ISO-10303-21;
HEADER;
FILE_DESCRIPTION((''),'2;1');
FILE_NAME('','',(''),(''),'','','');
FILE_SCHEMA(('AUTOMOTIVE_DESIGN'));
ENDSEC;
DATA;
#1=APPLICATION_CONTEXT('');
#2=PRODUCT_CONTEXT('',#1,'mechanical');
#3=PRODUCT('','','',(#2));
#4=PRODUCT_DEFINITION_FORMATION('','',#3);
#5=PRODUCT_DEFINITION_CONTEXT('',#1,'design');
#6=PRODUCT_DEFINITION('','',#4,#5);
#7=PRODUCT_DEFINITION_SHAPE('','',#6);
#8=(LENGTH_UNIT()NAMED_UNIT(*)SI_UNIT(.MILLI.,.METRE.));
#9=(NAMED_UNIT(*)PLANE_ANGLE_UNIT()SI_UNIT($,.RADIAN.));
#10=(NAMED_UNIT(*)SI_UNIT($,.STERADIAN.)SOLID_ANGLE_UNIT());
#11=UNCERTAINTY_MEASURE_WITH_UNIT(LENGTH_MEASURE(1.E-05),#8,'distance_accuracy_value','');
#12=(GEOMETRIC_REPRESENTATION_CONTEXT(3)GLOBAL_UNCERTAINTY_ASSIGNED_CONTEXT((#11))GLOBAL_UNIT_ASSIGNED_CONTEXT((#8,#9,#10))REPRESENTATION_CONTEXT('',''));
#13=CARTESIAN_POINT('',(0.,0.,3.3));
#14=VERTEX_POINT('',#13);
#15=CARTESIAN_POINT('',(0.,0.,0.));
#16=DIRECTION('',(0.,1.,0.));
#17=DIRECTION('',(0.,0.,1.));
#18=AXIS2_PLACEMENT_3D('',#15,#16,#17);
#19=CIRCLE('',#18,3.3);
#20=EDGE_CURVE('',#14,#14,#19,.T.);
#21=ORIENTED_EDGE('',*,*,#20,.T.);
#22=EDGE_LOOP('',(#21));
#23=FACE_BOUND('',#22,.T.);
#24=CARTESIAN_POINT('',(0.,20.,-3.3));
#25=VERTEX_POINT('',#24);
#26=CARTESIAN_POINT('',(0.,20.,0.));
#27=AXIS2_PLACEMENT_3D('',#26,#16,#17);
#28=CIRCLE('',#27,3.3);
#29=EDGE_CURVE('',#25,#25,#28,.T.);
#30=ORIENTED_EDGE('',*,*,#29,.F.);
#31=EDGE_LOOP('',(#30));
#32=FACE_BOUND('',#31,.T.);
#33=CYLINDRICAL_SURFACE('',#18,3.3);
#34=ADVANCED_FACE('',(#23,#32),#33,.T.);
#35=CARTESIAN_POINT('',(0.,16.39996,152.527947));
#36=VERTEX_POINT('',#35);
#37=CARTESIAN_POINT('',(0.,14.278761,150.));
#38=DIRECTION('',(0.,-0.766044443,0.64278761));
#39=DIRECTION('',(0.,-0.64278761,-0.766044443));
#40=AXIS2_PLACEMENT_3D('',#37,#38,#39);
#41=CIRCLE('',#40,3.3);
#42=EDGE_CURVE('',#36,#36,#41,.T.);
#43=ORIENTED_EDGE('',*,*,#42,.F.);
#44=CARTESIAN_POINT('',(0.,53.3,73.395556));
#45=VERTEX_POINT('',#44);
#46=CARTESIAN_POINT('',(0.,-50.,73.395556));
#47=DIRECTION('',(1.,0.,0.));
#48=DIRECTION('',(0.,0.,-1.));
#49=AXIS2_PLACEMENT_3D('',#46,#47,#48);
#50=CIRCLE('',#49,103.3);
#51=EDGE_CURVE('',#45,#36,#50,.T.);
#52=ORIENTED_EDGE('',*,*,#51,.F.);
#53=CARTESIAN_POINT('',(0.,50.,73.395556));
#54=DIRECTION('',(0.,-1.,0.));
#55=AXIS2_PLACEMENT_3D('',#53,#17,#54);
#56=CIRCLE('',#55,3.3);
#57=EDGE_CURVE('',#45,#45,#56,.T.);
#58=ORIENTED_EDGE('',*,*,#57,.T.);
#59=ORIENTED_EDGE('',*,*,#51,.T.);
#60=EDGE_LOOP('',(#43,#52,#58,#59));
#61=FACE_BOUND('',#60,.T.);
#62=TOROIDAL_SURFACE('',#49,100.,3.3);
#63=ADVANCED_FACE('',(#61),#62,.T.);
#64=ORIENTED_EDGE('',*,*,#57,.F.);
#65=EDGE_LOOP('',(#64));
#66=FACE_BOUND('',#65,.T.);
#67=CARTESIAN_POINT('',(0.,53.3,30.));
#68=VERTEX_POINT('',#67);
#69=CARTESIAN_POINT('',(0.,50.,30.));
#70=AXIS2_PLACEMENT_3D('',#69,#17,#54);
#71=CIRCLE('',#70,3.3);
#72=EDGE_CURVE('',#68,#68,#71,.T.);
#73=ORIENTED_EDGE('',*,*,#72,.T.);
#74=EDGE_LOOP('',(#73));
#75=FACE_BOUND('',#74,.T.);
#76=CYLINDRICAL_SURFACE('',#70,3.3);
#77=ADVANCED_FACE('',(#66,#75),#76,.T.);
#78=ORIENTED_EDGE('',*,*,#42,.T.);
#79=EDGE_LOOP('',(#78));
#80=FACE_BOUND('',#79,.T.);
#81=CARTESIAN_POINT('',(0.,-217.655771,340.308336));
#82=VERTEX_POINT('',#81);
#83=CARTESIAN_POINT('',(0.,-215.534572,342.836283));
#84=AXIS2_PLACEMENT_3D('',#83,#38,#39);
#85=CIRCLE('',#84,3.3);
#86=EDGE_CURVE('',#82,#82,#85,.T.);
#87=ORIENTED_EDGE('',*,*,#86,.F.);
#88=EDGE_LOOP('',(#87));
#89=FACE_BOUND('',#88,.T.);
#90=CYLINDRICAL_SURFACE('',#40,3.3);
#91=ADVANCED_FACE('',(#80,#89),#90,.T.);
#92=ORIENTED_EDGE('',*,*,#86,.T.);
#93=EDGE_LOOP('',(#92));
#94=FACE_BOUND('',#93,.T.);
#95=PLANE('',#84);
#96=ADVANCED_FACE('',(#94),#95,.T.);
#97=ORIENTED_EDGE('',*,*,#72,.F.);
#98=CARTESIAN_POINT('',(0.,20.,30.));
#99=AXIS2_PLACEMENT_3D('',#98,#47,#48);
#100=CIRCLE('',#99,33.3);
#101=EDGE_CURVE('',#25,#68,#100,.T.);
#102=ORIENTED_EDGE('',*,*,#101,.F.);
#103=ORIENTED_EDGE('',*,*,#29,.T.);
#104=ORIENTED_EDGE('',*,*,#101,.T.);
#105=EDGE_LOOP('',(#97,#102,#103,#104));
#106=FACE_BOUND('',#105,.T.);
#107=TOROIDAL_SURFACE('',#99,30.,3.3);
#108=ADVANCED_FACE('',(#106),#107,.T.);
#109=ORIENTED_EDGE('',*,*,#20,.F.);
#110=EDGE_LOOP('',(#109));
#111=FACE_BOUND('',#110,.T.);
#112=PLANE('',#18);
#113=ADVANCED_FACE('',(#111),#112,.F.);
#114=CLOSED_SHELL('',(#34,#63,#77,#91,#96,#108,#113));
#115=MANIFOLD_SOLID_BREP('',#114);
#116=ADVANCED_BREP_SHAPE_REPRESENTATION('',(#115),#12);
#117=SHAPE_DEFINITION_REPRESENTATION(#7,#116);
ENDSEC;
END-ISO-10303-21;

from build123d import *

# Parameters (mm, degrees)
SKETCH1_R = 3.3


with BuildPart() as part:
    # Sweep1: sweep along a path in Sketch2
    with BuildLine(Plane(origin=(0, 0, 0), x_dir=(0, 0, -1), z_dir=(1, 0, 0))) as sweep1_path:
        Line((0, 0), (0, 20))
        ThreePointArc((0, 20), (-8.786796564, 41.213203436), (-30, 50))
        Line((-30, 50), (-73.395555688, 50))
        ThreePointArc((-73.395555688, 50), (-115.657381862, 40.630778704), (-150, 14.278760969))
        Line((-150, 14.278760969), (-342.836282906, -215.534571967))
    # Sketch1 → Sweep1 (sweep)
    with BuildSketch(Plane(origin=(0, 0, 0), x_dir=(1, 0, 0), z_dir=(0, 1, 0))):
        Circle(SKETCH1_R)
    sweep(path=sweep1_path.line)


solid = part.part
